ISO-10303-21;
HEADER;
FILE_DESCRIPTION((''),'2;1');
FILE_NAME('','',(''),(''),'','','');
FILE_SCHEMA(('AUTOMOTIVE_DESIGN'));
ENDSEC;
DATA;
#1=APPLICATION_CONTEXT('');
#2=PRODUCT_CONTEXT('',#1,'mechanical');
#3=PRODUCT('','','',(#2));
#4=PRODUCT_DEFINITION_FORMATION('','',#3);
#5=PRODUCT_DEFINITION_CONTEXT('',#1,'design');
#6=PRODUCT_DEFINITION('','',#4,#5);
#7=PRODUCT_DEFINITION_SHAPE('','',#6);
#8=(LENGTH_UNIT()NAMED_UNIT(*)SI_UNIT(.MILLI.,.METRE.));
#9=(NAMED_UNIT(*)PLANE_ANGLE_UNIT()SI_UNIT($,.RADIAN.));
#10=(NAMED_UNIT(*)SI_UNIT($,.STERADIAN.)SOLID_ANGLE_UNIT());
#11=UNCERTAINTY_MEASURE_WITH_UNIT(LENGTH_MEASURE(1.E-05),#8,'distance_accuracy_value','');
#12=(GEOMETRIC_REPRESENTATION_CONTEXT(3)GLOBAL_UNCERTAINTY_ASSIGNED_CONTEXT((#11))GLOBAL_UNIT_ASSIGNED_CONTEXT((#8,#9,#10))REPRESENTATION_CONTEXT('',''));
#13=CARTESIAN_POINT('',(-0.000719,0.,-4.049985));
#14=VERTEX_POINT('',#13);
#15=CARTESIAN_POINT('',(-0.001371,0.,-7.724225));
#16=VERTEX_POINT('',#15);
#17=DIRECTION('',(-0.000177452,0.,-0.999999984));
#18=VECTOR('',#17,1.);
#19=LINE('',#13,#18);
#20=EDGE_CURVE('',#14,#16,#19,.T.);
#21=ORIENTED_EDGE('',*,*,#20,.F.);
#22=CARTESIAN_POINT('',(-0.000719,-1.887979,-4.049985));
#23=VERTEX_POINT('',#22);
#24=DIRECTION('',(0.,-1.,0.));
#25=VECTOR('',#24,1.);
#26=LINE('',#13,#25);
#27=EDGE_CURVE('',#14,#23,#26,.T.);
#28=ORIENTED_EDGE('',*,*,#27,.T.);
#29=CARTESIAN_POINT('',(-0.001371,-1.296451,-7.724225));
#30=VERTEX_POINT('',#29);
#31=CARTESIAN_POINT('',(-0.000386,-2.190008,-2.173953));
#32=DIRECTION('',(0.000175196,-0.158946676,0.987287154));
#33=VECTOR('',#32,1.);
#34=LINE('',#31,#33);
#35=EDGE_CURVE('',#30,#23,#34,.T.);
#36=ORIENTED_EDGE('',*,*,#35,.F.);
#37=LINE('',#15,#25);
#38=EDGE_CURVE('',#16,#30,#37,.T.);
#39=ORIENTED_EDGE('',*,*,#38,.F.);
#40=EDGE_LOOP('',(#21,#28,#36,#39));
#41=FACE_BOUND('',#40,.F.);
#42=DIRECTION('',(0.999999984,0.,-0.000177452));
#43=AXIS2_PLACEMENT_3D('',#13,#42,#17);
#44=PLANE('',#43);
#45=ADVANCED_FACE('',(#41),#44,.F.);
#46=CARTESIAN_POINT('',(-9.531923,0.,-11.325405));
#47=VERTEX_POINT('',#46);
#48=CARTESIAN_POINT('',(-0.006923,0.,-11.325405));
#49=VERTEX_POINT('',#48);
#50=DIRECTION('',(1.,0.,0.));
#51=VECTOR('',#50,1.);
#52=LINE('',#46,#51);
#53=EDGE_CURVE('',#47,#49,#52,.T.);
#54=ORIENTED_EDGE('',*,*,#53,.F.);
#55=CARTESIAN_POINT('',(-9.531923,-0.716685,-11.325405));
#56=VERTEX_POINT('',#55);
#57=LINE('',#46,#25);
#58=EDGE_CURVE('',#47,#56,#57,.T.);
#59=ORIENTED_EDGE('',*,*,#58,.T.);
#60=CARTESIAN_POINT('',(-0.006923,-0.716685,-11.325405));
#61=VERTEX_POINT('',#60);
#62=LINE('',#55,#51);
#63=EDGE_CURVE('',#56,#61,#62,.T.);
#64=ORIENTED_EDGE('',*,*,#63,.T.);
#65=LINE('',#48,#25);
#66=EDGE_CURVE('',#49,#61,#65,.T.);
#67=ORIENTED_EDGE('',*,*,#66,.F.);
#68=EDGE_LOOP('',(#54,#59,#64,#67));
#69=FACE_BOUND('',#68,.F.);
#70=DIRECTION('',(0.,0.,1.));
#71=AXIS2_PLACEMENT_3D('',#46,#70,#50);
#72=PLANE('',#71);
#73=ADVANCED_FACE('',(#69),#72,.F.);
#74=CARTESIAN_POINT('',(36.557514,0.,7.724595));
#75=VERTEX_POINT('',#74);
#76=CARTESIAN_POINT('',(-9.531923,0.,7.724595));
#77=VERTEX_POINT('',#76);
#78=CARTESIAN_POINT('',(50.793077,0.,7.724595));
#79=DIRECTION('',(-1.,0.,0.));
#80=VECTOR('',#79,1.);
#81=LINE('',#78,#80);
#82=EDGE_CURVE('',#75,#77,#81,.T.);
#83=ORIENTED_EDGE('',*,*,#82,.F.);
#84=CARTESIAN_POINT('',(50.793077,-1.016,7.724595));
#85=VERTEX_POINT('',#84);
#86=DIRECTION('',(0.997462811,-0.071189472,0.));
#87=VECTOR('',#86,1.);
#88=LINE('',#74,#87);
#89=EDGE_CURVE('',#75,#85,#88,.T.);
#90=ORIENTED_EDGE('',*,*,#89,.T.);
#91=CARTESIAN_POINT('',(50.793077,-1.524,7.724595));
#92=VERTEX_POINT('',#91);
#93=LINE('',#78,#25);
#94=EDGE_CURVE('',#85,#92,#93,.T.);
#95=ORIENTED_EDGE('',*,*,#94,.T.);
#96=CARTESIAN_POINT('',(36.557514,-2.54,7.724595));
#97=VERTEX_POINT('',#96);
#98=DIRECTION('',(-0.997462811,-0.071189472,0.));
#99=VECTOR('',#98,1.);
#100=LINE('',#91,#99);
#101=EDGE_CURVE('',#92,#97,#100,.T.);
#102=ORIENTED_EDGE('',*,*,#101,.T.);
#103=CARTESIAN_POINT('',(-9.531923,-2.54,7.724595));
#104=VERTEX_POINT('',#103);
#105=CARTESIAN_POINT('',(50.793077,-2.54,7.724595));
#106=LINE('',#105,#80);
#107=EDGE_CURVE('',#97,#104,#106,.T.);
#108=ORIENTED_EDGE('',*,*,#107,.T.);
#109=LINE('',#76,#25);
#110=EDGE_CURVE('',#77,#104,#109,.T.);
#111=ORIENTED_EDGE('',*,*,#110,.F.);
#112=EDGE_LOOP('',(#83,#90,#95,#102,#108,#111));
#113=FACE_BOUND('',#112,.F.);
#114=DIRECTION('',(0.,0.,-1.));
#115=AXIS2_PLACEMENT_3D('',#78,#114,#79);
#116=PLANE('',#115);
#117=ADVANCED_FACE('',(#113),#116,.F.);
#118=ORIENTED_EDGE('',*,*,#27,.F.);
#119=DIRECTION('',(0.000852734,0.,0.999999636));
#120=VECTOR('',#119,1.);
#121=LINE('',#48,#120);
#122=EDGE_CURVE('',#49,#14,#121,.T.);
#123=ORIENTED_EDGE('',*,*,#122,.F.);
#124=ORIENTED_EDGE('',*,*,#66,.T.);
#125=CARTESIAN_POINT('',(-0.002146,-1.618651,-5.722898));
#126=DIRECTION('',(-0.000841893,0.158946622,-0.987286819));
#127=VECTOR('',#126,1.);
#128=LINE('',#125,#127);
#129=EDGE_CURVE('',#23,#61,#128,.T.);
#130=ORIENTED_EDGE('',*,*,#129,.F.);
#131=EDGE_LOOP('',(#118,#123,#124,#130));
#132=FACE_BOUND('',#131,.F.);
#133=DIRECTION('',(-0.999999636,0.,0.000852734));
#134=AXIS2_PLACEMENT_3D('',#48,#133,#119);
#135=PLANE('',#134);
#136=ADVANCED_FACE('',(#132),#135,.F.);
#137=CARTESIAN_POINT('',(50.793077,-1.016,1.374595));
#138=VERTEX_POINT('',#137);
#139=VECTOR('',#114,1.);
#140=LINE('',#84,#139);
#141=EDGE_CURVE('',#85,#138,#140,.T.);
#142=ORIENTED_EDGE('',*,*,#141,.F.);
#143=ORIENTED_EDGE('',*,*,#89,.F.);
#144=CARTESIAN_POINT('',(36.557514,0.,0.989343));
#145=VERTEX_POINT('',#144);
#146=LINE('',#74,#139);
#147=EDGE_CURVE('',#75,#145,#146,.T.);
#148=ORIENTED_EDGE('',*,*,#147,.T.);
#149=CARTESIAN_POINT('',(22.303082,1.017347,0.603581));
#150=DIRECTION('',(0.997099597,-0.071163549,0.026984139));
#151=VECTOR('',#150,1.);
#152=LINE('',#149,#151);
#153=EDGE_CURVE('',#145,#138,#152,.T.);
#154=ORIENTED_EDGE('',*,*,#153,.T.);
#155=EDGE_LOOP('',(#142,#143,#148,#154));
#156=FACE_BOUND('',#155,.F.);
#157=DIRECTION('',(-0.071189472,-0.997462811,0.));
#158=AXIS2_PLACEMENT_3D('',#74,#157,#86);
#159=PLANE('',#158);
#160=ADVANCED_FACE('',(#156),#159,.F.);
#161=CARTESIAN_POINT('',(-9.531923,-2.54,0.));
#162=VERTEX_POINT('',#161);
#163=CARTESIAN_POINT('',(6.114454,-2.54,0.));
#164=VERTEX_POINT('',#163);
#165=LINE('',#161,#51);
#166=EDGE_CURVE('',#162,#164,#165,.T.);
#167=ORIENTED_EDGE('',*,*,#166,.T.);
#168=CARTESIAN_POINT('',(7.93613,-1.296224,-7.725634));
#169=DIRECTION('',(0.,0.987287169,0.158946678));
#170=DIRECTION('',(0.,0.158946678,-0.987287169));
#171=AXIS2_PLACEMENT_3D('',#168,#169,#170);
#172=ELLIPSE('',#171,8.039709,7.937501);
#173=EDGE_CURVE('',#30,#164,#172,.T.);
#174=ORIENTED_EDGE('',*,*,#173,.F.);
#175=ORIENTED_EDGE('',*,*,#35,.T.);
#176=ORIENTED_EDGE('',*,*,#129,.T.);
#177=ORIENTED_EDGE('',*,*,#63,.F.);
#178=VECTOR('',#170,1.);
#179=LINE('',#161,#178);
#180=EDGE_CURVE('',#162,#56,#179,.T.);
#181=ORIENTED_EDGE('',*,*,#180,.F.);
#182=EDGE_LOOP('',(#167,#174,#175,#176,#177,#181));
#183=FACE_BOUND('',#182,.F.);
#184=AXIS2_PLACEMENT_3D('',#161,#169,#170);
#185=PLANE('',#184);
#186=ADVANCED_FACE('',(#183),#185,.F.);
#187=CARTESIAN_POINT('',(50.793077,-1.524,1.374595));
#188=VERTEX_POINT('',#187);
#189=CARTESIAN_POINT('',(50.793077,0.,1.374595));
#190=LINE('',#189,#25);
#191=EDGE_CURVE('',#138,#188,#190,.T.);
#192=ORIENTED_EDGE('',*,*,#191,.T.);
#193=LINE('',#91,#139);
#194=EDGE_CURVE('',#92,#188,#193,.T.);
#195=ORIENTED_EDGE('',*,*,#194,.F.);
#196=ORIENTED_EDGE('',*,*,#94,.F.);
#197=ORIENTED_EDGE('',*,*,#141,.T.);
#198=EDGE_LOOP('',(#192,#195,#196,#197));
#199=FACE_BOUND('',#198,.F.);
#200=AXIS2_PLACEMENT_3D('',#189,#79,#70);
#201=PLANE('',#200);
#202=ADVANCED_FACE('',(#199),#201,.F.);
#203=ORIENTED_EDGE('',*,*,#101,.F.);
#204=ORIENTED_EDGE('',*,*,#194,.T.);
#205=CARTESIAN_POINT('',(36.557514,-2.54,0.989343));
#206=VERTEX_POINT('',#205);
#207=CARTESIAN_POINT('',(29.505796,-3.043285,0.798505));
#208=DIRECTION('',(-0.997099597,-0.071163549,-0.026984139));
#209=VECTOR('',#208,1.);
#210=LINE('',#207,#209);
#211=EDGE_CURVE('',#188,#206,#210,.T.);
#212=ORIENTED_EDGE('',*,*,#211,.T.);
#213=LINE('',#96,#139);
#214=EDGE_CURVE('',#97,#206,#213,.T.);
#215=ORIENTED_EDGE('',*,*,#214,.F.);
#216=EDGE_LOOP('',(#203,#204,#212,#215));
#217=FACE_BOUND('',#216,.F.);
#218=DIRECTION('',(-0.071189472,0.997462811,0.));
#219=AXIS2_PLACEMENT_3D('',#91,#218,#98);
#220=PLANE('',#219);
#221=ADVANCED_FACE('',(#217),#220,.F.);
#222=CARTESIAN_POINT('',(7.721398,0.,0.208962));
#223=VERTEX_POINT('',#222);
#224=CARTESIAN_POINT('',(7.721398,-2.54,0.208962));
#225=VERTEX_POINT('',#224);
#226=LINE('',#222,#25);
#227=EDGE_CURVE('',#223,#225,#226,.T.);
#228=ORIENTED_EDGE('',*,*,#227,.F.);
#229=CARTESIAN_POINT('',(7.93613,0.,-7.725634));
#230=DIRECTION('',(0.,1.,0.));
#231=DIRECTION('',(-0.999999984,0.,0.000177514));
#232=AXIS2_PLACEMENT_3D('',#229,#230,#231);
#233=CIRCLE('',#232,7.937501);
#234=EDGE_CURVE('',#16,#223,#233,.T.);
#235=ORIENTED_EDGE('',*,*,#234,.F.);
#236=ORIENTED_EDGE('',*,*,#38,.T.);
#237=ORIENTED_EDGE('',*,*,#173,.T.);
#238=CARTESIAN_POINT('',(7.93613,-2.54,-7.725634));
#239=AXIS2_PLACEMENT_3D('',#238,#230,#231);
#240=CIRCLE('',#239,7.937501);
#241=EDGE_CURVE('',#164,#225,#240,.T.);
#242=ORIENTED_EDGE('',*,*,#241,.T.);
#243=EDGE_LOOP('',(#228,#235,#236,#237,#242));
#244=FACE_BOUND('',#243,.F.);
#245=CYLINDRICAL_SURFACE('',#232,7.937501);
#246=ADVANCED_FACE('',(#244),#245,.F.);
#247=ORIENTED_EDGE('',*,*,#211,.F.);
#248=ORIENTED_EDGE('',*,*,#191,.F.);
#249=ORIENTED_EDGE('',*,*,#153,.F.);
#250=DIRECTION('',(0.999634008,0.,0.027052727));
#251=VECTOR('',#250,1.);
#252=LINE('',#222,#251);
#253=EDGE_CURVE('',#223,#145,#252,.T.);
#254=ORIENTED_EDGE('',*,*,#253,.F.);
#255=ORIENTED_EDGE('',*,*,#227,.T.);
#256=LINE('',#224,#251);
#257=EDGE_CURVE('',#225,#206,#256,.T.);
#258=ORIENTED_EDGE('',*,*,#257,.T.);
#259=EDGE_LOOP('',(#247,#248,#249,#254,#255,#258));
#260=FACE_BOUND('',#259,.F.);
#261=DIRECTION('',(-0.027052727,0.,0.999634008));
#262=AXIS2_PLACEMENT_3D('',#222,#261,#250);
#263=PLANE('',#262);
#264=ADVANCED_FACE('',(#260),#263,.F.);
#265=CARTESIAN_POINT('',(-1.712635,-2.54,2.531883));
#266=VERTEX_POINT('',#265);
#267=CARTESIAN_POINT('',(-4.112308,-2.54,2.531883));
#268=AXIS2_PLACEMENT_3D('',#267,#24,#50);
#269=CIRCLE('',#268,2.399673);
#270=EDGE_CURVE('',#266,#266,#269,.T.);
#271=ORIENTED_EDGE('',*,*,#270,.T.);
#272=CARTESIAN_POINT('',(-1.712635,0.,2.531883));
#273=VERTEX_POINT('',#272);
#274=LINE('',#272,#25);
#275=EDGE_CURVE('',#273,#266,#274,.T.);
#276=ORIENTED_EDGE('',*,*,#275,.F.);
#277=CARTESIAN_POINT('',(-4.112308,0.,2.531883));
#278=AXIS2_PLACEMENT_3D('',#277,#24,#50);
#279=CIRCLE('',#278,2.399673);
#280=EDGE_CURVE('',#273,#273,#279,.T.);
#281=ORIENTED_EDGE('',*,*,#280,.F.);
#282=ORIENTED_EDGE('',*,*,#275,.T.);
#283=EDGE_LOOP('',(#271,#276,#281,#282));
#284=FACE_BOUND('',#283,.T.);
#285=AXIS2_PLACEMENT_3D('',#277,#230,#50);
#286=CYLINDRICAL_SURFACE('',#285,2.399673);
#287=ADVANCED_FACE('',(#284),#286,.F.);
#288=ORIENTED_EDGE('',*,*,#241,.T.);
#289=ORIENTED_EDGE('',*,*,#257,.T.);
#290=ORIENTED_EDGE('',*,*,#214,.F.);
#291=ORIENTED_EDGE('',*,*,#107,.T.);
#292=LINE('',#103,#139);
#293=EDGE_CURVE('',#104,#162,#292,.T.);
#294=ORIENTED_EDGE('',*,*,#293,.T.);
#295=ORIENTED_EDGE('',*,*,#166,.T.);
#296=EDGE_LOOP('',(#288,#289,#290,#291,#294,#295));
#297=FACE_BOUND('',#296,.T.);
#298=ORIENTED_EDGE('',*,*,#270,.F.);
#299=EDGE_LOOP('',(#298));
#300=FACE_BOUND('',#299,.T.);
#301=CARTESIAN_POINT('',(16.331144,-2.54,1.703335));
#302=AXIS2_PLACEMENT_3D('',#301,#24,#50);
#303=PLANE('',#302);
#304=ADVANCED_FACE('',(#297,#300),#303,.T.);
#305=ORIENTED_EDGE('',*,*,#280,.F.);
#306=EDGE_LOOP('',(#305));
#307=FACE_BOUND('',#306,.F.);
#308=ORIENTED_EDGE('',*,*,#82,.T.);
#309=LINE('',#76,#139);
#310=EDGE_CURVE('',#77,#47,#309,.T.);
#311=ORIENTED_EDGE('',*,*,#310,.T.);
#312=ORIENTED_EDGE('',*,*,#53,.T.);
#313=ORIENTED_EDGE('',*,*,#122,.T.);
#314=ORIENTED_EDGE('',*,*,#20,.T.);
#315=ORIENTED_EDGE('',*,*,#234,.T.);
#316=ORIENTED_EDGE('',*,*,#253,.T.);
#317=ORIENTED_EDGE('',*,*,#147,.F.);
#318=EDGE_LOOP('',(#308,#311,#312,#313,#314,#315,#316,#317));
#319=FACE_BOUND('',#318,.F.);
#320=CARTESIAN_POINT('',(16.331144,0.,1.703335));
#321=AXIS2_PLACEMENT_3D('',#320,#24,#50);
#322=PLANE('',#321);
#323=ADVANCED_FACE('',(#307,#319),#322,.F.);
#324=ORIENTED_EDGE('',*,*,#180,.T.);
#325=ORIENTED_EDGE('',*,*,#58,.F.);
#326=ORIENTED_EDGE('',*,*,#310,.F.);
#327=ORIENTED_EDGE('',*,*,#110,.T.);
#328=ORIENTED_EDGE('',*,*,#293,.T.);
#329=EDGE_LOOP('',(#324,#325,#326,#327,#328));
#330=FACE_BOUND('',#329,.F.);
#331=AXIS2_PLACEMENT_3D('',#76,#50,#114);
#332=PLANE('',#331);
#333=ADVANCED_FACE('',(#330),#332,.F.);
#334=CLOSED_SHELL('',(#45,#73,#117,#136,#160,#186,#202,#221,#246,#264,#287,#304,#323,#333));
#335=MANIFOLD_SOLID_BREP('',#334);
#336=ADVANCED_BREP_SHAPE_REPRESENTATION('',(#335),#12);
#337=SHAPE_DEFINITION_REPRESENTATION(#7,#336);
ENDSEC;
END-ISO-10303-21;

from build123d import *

# Parameters (mm, degrees)
F0_R     = 2.399673
F1_DEPTH = 2.54
F3_DEPTH = 25.4
F5_DEPTH = 25.4


with BuildPart() as f1:
    # F0 (on Front) → F1 (new body)
    with BuildSketch(Plane.XZ):
        with BuildLine():
            Line((50.793077, 7.724595), (-9.531923, 7.724595))
            Line((-9.531923, 7.724595), (-9.531923, -11.325405))
            Line((-9.531923, -11.325405), (-0.006923, -11.325405))
            Line((-0.006923, -11.325405), (-0.000719, -4.049985))
            Line((-0.000719, -4.049985), (-0.001371, -7.724225))
            ThreePointArc((-0.001371, -7.724225), (2.248548, -2.188908), (7.721398, 0.208962))
            Line((7.721398, 0.208962), (50.793077, 1.374595))
            Line((50.793077, 1.374595), (50.793077, 7.724595))
        make_face()
        with Locations((-4.112308, 2.531883)):
            Circle(F0_R, mode=Mode.SUBTRACT)
    extrude(amount=F1_DEPTH)

    # F2 (on face) → F3 (cut)
    with BuildSketch(Plane(origin=(-9.531923, 0, 0), x_dir=(0, -1, 0), z_dir=(-1, 0, 0))):
        Polygon((2.54, -11.325405), (2.54, 0), (0.716685, -11.325405), align=None)
    extrude(amount=-F3_DEPTH, mode=Mode.SUBTRACT)

    # F4 (on face) → F5 (cut)
    with BuildSketch(Plane.XY.offset(7.724595)):
        Polygon((50.793077, 0), (36.557514, 0), (50.793077, -1.016), align=None)
        Polygon((50.793077, -1.524), (36.557514, -2.54), (50.793077, -2.54), align=None)
    extrude(amount=-F5_DEPTH, mode=Mode.SUBTRACT)


solid = f1.part
